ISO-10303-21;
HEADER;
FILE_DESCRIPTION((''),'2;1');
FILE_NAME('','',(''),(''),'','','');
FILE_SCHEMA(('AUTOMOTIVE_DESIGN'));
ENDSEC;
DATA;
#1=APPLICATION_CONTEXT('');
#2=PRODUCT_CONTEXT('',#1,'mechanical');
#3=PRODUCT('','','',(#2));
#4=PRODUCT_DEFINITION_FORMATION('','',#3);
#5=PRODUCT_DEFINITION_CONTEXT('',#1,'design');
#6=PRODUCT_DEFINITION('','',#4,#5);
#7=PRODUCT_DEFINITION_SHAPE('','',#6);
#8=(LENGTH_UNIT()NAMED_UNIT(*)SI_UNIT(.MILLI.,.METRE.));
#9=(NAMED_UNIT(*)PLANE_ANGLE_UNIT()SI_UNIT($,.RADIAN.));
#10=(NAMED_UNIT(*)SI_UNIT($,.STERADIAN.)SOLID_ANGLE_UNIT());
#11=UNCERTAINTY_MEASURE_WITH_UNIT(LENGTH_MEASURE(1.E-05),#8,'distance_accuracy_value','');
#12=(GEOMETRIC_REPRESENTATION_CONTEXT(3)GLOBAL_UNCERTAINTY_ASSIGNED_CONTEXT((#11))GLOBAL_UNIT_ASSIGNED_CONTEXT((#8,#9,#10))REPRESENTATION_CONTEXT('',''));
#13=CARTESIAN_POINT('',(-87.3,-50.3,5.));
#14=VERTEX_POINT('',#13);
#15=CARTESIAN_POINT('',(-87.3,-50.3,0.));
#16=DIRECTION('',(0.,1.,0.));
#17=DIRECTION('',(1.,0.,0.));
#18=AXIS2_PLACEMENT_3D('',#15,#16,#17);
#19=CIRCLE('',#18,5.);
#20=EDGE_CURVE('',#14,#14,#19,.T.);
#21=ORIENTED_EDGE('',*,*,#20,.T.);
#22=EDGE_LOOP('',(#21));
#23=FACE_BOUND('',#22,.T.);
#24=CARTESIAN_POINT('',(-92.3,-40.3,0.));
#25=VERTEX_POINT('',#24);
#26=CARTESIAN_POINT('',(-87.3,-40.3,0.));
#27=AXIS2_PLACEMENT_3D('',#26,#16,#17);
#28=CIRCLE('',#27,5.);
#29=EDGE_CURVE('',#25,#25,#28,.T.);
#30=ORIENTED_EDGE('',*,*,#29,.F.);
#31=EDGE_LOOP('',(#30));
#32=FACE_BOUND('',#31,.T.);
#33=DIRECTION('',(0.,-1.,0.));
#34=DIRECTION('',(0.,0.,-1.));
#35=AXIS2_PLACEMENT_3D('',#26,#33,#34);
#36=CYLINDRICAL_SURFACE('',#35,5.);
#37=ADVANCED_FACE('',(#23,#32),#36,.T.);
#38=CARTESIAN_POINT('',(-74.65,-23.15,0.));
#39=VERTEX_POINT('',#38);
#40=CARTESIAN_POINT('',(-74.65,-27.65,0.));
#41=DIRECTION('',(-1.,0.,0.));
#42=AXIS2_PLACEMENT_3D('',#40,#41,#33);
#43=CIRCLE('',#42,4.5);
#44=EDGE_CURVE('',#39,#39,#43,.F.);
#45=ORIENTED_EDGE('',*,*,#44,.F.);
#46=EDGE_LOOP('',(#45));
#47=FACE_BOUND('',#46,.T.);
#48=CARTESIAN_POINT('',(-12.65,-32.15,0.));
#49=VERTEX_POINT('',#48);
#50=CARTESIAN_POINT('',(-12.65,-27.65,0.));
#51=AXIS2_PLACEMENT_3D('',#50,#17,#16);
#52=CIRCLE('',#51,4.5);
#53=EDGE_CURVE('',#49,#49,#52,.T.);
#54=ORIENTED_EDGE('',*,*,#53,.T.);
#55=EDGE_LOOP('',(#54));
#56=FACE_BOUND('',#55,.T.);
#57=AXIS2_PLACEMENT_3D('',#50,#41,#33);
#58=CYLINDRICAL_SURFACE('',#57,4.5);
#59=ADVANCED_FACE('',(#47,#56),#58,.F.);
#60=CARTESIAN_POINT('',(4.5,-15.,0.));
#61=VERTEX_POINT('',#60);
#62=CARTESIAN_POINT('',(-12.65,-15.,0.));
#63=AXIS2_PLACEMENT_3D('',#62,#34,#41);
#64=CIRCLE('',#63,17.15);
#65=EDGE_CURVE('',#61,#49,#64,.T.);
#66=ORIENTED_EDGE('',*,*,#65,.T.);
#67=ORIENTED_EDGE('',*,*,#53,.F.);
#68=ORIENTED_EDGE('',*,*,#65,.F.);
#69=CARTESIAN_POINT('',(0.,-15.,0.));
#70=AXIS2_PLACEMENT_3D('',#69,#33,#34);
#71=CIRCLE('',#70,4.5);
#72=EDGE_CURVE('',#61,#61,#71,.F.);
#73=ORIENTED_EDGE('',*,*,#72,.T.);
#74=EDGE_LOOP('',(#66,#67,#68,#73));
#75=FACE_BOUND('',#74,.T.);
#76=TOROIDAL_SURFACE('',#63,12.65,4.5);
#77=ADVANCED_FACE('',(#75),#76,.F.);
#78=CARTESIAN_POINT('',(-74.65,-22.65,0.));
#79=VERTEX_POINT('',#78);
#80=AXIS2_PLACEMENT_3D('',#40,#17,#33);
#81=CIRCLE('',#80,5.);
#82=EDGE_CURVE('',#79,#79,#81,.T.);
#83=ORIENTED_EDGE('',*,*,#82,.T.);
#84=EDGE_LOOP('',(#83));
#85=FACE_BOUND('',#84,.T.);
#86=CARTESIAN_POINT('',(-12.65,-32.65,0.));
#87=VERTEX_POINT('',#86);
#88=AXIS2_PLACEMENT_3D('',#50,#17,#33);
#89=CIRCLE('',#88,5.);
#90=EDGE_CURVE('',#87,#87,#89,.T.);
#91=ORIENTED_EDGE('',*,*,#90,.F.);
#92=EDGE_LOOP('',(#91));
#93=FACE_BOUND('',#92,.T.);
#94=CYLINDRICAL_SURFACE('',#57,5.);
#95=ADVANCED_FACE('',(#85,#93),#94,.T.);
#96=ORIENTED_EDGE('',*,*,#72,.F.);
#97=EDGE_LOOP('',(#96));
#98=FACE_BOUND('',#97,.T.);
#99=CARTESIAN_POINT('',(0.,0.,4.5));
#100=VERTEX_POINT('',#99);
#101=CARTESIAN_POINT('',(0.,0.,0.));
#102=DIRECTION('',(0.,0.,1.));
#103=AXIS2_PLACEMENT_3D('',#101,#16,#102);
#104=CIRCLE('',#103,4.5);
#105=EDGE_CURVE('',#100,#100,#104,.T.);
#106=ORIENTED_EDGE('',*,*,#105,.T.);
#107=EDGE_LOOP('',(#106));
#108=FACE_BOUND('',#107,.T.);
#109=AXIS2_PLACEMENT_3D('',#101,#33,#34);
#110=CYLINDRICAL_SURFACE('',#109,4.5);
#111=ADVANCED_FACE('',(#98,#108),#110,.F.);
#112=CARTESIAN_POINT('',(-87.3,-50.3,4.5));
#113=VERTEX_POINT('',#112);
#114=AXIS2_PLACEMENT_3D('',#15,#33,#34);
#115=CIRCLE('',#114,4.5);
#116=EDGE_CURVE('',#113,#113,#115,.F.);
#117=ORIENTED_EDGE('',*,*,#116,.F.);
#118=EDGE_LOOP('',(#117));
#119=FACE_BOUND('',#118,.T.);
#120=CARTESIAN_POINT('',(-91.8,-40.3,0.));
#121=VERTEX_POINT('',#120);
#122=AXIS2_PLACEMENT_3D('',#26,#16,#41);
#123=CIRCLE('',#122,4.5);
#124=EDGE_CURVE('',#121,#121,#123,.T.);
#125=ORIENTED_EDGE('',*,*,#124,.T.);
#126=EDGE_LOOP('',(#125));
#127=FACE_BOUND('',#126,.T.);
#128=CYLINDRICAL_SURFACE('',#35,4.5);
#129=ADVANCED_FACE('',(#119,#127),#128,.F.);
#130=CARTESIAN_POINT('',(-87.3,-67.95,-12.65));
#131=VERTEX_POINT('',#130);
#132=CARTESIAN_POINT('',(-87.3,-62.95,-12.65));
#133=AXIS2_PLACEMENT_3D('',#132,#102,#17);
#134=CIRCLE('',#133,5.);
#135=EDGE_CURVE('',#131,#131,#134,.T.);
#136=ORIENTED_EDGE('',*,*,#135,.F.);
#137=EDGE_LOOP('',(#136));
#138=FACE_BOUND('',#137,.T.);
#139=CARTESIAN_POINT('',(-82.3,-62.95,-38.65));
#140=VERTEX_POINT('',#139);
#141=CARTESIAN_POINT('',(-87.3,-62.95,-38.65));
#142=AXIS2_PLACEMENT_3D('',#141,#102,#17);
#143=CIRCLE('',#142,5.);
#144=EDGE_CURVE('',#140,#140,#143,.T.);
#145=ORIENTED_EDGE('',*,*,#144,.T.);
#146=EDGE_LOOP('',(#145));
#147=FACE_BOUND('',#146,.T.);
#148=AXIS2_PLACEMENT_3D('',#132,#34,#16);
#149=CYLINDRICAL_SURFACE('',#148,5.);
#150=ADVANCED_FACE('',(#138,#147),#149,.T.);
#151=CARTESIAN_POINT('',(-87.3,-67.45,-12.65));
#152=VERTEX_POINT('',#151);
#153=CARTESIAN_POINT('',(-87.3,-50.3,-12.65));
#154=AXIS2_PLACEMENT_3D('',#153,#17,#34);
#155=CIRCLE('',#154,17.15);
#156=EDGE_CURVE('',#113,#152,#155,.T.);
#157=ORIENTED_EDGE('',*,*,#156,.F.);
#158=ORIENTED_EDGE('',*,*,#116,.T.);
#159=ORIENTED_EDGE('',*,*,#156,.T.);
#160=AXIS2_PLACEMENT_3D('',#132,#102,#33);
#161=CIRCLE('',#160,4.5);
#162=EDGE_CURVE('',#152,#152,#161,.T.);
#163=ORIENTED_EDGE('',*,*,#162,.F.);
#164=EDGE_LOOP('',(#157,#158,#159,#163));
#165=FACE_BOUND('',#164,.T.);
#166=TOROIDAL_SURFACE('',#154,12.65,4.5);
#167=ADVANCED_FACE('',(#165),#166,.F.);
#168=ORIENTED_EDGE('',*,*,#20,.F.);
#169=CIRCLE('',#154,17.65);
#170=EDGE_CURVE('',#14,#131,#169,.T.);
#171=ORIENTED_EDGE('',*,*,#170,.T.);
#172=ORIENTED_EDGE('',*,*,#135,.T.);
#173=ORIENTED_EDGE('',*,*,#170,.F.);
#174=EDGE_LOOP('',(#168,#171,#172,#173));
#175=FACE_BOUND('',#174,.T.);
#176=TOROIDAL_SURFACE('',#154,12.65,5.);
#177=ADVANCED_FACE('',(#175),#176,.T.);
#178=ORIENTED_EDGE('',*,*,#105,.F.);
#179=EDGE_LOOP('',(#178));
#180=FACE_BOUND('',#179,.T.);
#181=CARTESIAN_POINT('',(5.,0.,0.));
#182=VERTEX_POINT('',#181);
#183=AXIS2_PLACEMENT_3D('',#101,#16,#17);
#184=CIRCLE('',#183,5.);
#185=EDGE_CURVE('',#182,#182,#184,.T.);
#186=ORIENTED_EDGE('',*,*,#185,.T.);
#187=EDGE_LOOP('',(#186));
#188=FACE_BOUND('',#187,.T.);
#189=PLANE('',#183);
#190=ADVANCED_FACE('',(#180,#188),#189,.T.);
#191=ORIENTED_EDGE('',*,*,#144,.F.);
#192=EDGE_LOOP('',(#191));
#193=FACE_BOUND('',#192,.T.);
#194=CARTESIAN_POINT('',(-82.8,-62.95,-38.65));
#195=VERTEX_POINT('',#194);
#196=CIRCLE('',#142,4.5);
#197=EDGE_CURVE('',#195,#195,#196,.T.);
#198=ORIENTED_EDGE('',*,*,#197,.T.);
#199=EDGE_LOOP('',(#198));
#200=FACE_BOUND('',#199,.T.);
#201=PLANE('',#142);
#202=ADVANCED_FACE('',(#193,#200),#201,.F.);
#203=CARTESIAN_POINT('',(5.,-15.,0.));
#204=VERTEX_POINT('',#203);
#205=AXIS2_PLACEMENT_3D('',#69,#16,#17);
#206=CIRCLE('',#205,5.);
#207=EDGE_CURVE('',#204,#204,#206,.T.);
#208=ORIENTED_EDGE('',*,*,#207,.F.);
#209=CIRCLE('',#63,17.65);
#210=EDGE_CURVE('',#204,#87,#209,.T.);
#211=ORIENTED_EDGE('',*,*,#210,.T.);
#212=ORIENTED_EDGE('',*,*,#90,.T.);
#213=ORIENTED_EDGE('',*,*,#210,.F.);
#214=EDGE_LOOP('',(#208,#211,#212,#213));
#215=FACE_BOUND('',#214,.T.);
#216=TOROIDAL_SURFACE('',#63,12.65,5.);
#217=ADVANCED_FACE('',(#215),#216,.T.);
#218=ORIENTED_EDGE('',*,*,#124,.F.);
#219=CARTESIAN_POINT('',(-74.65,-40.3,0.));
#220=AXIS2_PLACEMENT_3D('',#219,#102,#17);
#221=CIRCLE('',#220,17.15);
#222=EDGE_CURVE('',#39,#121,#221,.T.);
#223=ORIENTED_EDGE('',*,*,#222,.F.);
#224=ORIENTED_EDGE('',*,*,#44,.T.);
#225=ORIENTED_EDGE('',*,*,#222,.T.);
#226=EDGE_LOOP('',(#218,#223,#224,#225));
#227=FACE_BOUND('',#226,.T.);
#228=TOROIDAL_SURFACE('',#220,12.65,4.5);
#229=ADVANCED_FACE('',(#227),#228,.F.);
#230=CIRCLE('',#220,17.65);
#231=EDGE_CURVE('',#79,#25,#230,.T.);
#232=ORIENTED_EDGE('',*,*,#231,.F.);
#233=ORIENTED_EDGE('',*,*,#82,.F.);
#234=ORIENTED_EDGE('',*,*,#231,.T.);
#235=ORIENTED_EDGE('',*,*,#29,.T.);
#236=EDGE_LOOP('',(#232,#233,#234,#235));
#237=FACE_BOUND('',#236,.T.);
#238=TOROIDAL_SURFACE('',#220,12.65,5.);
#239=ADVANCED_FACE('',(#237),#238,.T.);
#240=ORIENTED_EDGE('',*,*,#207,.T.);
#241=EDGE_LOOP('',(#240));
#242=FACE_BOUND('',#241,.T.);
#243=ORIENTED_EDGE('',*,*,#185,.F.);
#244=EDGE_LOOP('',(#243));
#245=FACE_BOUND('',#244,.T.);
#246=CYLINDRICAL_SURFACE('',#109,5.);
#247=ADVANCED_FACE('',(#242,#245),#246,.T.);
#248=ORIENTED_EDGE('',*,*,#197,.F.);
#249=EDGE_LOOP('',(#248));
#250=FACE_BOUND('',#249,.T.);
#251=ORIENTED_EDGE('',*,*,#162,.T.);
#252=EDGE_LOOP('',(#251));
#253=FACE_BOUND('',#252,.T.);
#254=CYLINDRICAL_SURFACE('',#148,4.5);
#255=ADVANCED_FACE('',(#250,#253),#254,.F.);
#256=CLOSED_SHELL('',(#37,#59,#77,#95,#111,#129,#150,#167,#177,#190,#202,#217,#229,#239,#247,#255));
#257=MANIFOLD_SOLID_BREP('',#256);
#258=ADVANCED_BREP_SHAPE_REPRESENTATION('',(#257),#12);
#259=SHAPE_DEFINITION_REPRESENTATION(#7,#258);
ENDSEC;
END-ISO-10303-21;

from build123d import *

# Parameters (mm, degrees)
SWEEP_THIN1_PROFILE_R   = 5
SWEEP_THIN1_PROFILE_R_2 = 4.5


with BuildPart() as part:
    # Sweep-Thin1: sweep along a curve in space
    with BuildLine() as sweep_thin1_path:
        Line((0, 0, 0), (0, -15, 0))
        ThreePointArc((0, -15, 0), (-3.705099218, -23.944900782, 0), (-12.65, -27.65, 0))
        Line((-12.65, -27.65, 0), (-74.65, -27.65, 0))
        ThreePointArc((-74.65, -27.65, 0), (-83.594900782, -31.355099218, 0), (-87.3, -40.3, 0))
        Line((-87.3, -40.3, 0), (-87.3, -50.3, 0))
        ThreePointArc((-87.3, -50.3, 0), (-87.3, -59.244900782, -3.705099218), (-87.3, -62.95, -12.65))
        Line((-87.3, -62.95, -12.65), (-87.3, -62.95, -38.65))
    # Sweep-Thin1 profile (on start of the path) → Sweep-Thin1 (sweep)
    with BuildSketch(Plane(origin=(0, 0, 0), x_dir=(0, 0, -1), z_dir=(0, -1, 0))):
        Circle(SWEEP_THIN1_PROFILE_R)
        Circle(SWEEP_THIN1_PROFILE_R_2, mode=Mode.SUBTRACT)
    sweep(path=sweep_thin1_path.line)


solid = part.part
